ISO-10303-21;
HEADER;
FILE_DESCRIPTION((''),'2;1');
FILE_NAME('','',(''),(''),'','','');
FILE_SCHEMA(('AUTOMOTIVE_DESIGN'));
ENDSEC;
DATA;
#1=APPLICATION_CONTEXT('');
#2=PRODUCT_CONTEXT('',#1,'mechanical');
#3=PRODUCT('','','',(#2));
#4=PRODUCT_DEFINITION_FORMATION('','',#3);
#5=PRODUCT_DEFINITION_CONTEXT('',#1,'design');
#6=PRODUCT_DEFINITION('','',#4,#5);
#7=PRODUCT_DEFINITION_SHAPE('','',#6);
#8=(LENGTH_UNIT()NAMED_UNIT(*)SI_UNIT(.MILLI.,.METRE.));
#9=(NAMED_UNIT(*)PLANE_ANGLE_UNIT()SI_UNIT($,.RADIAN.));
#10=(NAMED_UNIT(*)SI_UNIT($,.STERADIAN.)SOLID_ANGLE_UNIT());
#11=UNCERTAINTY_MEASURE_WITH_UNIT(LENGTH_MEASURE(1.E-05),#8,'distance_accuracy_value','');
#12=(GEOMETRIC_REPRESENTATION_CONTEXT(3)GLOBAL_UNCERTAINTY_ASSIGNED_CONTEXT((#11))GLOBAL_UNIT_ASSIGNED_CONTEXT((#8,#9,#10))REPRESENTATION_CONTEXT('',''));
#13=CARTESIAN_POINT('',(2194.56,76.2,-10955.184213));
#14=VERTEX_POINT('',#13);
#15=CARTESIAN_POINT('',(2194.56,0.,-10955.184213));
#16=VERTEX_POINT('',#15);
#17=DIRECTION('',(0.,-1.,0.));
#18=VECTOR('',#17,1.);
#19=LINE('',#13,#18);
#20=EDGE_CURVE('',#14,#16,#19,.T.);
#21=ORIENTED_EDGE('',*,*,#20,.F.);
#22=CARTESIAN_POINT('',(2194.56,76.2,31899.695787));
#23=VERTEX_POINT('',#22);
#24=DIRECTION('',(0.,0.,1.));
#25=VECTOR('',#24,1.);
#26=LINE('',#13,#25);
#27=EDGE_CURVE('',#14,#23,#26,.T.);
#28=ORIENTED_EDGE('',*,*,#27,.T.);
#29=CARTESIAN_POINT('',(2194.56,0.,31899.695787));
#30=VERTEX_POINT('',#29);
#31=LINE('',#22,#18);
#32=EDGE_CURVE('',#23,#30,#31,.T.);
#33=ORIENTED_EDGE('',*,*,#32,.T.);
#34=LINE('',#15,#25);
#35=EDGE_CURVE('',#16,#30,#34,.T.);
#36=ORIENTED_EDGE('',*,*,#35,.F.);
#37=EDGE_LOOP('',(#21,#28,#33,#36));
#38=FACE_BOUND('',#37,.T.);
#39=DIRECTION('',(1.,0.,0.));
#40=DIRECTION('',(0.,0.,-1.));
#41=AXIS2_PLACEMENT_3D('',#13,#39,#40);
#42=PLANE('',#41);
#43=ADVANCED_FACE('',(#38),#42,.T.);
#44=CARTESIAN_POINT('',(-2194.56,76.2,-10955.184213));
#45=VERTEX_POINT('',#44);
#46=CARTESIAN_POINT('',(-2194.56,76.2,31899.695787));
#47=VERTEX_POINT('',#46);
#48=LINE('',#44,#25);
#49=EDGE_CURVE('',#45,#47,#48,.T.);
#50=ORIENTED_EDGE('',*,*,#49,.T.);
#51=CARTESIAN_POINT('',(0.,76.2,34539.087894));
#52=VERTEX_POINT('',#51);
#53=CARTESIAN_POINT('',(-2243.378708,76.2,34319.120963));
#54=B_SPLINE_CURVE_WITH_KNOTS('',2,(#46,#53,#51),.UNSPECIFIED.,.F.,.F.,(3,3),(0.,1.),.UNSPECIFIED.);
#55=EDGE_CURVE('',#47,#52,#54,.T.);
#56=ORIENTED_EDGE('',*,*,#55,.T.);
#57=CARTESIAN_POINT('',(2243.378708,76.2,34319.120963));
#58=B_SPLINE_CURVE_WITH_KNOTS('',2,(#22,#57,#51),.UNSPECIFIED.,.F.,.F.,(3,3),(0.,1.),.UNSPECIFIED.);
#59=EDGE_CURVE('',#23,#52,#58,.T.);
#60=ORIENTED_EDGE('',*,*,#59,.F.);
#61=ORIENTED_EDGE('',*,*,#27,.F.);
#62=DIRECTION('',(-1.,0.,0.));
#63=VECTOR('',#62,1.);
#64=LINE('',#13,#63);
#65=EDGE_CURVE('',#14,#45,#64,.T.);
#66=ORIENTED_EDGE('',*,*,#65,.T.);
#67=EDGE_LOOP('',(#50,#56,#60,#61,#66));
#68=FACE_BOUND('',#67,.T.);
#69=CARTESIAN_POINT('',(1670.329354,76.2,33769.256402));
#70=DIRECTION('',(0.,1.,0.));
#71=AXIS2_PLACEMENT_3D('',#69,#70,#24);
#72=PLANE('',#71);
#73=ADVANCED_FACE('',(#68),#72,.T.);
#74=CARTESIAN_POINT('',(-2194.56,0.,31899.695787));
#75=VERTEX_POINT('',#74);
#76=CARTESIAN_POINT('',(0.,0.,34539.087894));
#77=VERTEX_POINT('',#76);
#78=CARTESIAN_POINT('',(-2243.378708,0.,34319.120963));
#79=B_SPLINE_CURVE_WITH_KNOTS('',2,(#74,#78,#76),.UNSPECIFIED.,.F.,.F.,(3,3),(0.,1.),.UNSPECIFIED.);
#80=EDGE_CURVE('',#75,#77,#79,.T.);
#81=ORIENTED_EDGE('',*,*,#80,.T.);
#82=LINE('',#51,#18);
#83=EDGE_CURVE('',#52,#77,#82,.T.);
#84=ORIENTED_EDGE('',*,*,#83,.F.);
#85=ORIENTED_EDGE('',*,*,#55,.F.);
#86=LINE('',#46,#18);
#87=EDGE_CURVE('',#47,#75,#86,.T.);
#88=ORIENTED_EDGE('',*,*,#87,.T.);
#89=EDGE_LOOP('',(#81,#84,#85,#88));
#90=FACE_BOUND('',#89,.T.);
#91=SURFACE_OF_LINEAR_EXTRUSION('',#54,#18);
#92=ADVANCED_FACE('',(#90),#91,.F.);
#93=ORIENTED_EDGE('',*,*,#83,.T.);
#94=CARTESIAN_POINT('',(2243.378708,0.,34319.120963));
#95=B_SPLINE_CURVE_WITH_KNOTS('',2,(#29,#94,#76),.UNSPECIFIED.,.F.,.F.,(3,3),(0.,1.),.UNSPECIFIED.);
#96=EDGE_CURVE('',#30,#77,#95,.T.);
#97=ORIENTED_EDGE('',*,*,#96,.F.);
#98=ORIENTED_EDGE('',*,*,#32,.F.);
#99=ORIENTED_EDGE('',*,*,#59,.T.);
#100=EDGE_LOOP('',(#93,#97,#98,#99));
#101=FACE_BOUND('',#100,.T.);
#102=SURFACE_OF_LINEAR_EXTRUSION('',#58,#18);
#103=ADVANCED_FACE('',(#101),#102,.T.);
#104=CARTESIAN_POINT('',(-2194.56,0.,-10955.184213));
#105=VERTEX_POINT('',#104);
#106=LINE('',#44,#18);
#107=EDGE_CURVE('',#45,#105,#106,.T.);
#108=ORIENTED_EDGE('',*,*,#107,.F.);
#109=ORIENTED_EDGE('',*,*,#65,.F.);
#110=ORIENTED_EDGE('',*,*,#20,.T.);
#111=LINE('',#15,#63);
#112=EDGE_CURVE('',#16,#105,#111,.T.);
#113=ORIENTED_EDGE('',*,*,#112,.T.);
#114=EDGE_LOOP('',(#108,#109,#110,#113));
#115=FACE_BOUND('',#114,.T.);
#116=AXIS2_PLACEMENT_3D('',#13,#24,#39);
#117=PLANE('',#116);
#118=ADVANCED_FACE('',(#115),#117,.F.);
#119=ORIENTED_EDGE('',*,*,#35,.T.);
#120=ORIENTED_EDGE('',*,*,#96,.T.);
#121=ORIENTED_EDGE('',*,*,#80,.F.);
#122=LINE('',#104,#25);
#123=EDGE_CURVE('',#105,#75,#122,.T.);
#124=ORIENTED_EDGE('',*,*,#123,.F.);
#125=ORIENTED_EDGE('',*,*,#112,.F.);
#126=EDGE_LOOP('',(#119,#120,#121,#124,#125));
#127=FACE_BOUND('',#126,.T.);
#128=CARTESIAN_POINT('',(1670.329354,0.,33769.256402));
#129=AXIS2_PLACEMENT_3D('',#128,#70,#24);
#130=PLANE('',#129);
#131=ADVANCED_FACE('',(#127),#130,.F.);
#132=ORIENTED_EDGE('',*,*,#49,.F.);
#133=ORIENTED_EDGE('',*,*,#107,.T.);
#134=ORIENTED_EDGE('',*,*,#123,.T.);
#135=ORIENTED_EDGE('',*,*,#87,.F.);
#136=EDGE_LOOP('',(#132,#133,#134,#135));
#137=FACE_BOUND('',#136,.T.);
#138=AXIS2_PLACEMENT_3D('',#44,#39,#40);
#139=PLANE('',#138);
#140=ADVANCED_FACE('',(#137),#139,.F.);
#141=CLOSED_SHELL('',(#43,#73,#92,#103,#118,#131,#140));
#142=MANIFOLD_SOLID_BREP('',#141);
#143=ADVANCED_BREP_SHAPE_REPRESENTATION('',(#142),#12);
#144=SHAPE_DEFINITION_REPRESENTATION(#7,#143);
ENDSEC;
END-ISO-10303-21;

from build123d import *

# Parameters (mm, degrees)
BOSS_EXTRUDE1_DEPTH = 76.2


with BuildPart() as part:
    # Sketch4 → Boss-Extrude1 (new body)
    with BuildSketch(Plane(origin=(0, 0, 0), x_dir=(1, 0, 0), z_dir=(0, 1, 0))):
        with BuildLine():
            Line((-2194.56, 10955.184212568), (-2194.56, -31899.695787432))
            add(Edge.make_bspline(
                [(-2194.56, -31899.695787432), (-2243.378707841, -34319.120962753), (0, -34539.087894)],
                knots=[0, 0, 0, 1, 1, 1], degree=2))
            add(Edge.make_bspline(
                [(2194.56, -31899.695787432), (2243.378707841, -34319.120962753), (0, -34539.087894)],
                knots=[0, 0, 0, 1, 1, 1], degree=2))
            Line((2194.56, -31899.695787432), (2194.56, 10955.184212568))
            Line((2194.56, 10955.184212568), (-2194.56, 10955.184212568))
        make_face()
    extrude(amount=BOSS_EXTRUDE1_DEPTH)


solid = part.part
